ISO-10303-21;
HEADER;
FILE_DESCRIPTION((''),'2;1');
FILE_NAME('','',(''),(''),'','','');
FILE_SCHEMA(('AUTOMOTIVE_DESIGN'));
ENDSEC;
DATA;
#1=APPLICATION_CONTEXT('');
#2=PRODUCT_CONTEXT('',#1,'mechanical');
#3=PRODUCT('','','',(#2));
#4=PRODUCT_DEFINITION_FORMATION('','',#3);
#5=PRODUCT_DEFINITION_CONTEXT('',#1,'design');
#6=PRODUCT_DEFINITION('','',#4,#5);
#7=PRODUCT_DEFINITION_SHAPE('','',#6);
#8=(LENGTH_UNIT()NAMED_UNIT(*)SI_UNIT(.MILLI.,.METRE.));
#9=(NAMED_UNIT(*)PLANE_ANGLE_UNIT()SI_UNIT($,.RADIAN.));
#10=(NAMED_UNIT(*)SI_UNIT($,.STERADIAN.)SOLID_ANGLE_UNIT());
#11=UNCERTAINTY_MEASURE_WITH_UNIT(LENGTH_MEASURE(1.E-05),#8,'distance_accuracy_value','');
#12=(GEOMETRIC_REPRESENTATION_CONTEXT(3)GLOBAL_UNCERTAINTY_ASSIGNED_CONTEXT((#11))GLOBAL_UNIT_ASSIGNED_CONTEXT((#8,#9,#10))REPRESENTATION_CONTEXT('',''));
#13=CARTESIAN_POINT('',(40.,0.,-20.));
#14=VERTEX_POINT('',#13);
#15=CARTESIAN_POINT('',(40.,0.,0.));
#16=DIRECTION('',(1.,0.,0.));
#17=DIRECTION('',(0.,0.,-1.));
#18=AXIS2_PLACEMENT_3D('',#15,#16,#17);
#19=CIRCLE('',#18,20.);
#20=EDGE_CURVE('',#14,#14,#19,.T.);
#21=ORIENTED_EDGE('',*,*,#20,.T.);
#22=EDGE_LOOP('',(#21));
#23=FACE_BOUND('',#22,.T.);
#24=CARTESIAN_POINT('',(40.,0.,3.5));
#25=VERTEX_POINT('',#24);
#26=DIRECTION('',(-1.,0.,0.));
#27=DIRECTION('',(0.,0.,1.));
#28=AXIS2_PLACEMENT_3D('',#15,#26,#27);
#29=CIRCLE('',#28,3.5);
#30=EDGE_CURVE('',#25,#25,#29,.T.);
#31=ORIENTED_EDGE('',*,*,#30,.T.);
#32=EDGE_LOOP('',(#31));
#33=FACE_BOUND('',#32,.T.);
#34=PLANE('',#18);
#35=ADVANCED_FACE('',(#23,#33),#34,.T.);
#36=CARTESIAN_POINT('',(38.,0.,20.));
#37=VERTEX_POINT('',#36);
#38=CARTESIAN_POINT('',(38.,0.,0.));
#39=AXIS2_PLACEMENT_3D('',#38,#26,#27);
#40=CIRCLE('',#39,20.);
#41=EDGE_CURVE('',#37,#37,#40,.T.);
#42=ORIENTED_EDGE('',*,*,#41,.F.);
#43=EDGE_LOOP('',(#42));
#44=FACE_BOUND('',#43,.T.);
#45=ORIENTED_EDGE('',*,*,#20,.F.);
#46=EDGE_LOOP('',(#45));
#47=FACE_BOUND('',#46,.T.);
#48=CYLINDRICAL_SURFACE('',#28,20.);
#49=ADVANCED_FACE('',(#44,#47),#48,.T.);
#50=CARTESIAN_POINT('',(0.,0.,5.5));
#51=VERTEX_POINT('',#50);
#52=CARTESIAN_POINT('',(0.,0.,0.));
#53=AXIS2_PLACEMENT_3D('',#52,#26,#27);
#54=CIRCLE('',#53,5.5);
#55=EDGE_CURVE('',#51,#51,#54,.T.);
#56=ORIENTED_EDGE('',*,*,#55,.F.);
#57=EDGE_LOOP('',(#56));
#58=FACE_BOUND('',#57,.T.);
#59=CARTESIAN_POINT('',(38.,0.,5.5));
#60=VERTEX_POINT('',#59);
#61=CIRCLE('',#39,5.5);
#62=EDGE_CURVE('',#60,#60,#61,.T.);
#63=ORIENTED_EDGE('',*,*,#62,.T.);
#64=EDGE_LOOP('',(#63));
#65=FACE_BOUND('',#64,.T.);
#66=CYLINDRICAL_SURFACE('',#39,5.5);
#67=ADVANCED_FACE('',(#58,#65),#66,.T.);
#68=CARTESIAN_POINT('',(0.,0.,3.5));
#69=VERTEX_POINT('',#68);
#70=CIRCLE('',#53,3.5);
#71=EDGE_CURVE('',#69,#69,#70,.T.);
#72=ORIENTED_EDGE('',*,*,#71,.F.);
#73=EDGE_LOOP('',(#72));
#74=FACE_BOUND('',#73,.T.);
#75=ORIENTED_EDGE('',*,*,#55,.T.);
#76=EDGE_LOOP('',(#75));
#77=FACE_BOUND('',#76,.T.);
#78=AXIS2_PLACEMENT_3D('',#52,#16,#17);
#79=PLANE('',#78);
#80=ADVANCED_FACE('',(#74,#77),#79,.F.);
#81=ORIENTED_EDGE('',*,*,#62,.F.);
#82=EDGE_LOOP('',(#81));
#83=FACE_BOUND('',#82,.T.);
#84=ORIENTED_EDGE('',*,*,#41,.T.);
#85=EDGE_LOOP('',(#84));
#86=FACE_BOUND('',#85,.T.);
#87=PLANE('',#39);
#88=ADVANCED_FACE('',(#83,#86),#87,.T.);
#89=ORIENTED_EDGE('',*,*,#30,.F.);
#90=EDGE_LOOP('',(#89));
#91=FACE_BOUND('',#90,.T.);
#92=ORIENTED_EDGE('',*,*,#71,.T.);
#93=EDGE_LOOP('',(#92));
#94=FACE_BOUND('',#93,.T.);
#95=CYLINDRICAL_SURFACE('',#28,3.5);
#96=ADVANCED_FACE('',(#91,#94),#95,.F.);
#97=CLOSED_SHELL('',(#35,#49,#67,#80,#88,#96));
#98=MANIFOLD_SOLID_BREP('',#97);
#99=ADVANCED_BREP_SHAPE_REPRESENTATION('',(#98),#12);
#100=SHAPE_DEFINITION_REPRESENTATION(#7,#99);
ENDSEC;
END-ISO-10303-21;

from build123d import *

# Parameters (mm, degrees)
SKETCH1_R           = 20
BOSS_EXTRUDE1_DEPTH = 40
SKETCH2_R           = 20
SKETCH2_R_2         = 5.5
CUT_EXTRUDE1_DEPTH  = 38
SKETCH3_R           = 3.5
CUT_EXTRUDE2_DEPTH  = 40


with BuildPart() as part:
    # Sketch1 → Boss-Extrude1 (new body)
    with BuildSketch(Plane(origin=(0, 0, 0), x_dir=(0, 0, -1), z_dir=(1, 0, 0))):
        Circle(SKETCH1_R)
    extrude(amount=BOSS_EXTRUDE1_DEPTH)

    # Sketch2 → Cut-Extrude1 (cut)
    with BuildSketch(Plane.ZY):
        Circle(SKETCH2_R)
        Circle(SKETCH2_R_2, mode=Mode.SUBTRACT)
    extrude(amount=-CUT_EXTRUDE1_DEPTH, mode=Mode.SUBTRACT)

    # Sketch3 → Cut-Extrude2 (cut)
    with BuildSketch(Plane.ZY):
        Circle(SKETCH3_R)
    extrude(amount=-CUT_EXTRUDE2_DEPTH, mode=Mode.SUBTRACT)


solid = part.part
